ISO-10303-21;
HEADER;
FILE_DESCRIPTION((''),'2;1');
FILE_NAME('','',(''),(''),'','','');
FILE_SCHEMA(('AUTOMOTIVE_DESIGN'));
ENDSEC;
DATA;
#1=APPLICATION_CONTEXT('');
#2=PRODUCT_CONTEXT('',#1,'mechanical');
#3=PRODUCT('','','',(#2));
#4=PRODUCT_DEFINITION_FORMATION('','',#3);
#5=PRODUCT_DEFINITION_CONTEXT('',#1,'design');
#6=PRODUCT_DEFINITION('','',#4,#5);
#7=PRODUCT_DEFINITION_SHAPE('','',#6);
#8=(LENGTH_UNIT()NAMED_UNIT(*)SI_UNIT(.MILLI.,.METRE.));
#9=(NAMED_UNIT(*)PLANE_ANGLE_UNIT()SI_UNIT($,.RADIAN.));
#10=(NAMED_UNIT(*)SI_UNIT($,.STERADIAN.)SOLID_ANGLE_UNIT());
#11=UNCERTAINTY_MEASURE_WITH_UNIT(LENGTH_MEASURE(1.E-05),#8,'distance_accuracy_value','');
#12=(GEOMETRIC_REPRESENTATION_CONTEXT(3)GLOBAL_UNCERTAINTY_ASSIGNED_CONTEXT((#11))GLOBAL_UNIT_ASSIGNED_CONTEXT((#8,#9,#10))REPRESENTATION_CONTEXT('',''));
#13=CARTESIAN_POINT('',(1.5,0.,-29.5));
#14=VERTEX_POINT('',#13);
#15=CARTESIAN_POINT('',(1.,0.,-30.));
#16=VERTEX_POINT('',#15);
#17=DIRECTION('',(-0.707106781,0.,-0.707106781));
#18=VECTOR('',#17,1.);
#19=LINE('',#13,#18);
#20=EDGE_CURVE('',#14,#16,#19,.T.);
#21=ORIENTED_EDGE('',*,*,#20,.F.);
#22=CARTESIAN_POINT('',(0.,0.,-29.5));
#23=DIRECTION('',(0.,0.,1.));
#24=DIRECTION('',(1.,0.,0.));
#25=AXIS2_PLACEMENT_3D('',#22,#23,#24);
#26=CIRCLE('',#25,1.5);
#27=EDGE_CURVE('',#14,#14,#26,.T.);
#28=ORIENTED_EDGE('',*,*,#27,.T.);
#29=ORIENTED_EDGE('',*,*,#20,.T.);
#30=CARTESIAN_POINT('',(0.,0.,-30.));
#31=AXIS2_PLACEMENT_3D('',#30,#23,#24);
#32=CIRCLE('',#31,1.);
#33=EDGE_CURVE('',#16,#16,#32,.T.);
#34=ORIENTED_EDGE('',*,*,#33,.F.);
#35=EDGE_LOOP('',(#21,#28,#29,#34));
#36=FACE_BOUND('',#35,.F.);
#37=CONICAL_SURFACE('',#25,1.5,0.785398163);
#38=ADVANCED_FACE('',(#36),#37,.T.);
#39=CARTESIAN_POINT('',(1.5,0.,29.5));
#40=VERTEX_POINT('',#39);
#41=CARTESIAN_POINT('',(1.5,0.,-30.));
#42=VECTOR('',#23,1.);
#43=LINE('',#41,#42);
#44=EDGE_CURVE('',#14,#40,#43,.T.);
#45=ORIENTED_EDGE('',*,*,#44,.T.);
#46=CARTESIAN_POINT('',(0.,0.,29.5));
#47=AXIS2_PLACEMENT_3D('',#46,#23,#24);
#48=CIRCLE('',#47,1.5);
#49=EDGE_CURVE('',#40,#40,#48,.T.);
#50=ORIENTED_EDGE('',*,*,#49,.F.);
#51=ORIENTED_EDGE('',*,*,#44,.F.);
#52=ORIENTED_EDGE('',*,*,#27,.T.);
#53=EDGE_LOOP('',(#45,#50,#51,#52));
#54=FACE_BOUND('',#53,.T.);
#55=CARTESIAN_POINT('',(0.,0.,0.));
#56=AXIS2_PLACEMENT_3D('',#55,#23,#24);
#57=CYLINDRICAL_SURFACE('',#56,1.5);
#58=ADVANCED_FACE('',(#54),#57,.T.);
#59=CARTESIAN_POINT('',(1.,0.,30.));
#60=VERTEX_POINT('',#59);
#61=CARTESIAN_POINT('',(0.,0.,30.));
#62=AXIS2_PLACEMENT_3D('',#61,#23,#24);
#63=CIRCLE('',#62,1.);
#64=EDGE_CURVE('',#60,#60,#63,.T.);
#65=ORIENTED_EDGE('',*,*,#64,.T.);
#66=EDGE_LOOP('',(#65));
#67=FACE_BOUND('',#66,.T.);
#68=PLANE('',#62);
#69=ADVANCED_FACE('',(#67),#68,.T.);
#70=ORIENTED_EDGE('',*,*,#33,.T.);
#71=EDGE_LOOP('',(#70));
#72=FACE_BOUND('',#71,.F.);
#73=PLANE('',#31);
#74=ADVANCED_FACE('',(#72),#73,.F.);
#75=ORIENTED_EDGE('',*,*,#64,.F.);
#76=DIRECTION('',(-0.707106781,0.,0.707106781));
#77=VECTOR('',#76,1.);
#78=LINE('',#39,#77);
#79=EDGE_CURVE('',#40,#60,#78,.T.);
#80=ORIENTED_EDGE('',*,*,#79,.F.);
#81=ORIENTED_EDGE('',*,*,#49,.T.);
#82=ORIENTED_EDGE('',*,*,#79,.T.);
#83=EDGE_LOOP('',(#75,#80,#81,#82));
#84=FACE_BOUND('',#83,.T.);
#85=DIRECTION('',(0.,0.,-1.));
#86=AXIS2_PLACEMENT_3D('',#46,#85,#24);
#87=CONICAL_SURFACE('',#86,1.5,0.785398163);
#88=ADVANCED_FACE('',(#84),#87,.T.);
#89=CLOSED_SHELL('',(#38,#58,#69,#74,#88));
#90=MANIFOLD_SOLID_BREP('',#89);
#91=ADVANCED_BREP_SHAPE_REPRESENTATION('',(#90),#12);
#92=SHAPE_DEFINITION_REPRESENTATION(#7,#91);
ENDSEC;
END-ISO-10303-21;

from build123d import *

# Parameters (mm, degrees)
SKIZZE1_R                       = 1.5
AUFSATZ_LINEAR_AUSTRAGEN1_DEPTH = 30
FASE1_SIZE                      = 0.5


with BuildPart() as part:
    # Skizze1 → Aufsatz-Linear austragen1 (new body, symmetric)
    with BuildSketch(Plane.XY):
        Circle(SKIZZE1_R)
    extrude(amount=AUFSATZ_LINEAR_AUSTRAGEN1_DEPTH, both=True)

    # Fase1
    fase1_edges = [part.edges().sort_by_distance(p)[0] for p in [
        (-1.5, 0, -30),
        (-1.5, 0, 30),
    ]]
    chamfer(fase1_edges, length=FASE1_SIZE)


solid = part.part
